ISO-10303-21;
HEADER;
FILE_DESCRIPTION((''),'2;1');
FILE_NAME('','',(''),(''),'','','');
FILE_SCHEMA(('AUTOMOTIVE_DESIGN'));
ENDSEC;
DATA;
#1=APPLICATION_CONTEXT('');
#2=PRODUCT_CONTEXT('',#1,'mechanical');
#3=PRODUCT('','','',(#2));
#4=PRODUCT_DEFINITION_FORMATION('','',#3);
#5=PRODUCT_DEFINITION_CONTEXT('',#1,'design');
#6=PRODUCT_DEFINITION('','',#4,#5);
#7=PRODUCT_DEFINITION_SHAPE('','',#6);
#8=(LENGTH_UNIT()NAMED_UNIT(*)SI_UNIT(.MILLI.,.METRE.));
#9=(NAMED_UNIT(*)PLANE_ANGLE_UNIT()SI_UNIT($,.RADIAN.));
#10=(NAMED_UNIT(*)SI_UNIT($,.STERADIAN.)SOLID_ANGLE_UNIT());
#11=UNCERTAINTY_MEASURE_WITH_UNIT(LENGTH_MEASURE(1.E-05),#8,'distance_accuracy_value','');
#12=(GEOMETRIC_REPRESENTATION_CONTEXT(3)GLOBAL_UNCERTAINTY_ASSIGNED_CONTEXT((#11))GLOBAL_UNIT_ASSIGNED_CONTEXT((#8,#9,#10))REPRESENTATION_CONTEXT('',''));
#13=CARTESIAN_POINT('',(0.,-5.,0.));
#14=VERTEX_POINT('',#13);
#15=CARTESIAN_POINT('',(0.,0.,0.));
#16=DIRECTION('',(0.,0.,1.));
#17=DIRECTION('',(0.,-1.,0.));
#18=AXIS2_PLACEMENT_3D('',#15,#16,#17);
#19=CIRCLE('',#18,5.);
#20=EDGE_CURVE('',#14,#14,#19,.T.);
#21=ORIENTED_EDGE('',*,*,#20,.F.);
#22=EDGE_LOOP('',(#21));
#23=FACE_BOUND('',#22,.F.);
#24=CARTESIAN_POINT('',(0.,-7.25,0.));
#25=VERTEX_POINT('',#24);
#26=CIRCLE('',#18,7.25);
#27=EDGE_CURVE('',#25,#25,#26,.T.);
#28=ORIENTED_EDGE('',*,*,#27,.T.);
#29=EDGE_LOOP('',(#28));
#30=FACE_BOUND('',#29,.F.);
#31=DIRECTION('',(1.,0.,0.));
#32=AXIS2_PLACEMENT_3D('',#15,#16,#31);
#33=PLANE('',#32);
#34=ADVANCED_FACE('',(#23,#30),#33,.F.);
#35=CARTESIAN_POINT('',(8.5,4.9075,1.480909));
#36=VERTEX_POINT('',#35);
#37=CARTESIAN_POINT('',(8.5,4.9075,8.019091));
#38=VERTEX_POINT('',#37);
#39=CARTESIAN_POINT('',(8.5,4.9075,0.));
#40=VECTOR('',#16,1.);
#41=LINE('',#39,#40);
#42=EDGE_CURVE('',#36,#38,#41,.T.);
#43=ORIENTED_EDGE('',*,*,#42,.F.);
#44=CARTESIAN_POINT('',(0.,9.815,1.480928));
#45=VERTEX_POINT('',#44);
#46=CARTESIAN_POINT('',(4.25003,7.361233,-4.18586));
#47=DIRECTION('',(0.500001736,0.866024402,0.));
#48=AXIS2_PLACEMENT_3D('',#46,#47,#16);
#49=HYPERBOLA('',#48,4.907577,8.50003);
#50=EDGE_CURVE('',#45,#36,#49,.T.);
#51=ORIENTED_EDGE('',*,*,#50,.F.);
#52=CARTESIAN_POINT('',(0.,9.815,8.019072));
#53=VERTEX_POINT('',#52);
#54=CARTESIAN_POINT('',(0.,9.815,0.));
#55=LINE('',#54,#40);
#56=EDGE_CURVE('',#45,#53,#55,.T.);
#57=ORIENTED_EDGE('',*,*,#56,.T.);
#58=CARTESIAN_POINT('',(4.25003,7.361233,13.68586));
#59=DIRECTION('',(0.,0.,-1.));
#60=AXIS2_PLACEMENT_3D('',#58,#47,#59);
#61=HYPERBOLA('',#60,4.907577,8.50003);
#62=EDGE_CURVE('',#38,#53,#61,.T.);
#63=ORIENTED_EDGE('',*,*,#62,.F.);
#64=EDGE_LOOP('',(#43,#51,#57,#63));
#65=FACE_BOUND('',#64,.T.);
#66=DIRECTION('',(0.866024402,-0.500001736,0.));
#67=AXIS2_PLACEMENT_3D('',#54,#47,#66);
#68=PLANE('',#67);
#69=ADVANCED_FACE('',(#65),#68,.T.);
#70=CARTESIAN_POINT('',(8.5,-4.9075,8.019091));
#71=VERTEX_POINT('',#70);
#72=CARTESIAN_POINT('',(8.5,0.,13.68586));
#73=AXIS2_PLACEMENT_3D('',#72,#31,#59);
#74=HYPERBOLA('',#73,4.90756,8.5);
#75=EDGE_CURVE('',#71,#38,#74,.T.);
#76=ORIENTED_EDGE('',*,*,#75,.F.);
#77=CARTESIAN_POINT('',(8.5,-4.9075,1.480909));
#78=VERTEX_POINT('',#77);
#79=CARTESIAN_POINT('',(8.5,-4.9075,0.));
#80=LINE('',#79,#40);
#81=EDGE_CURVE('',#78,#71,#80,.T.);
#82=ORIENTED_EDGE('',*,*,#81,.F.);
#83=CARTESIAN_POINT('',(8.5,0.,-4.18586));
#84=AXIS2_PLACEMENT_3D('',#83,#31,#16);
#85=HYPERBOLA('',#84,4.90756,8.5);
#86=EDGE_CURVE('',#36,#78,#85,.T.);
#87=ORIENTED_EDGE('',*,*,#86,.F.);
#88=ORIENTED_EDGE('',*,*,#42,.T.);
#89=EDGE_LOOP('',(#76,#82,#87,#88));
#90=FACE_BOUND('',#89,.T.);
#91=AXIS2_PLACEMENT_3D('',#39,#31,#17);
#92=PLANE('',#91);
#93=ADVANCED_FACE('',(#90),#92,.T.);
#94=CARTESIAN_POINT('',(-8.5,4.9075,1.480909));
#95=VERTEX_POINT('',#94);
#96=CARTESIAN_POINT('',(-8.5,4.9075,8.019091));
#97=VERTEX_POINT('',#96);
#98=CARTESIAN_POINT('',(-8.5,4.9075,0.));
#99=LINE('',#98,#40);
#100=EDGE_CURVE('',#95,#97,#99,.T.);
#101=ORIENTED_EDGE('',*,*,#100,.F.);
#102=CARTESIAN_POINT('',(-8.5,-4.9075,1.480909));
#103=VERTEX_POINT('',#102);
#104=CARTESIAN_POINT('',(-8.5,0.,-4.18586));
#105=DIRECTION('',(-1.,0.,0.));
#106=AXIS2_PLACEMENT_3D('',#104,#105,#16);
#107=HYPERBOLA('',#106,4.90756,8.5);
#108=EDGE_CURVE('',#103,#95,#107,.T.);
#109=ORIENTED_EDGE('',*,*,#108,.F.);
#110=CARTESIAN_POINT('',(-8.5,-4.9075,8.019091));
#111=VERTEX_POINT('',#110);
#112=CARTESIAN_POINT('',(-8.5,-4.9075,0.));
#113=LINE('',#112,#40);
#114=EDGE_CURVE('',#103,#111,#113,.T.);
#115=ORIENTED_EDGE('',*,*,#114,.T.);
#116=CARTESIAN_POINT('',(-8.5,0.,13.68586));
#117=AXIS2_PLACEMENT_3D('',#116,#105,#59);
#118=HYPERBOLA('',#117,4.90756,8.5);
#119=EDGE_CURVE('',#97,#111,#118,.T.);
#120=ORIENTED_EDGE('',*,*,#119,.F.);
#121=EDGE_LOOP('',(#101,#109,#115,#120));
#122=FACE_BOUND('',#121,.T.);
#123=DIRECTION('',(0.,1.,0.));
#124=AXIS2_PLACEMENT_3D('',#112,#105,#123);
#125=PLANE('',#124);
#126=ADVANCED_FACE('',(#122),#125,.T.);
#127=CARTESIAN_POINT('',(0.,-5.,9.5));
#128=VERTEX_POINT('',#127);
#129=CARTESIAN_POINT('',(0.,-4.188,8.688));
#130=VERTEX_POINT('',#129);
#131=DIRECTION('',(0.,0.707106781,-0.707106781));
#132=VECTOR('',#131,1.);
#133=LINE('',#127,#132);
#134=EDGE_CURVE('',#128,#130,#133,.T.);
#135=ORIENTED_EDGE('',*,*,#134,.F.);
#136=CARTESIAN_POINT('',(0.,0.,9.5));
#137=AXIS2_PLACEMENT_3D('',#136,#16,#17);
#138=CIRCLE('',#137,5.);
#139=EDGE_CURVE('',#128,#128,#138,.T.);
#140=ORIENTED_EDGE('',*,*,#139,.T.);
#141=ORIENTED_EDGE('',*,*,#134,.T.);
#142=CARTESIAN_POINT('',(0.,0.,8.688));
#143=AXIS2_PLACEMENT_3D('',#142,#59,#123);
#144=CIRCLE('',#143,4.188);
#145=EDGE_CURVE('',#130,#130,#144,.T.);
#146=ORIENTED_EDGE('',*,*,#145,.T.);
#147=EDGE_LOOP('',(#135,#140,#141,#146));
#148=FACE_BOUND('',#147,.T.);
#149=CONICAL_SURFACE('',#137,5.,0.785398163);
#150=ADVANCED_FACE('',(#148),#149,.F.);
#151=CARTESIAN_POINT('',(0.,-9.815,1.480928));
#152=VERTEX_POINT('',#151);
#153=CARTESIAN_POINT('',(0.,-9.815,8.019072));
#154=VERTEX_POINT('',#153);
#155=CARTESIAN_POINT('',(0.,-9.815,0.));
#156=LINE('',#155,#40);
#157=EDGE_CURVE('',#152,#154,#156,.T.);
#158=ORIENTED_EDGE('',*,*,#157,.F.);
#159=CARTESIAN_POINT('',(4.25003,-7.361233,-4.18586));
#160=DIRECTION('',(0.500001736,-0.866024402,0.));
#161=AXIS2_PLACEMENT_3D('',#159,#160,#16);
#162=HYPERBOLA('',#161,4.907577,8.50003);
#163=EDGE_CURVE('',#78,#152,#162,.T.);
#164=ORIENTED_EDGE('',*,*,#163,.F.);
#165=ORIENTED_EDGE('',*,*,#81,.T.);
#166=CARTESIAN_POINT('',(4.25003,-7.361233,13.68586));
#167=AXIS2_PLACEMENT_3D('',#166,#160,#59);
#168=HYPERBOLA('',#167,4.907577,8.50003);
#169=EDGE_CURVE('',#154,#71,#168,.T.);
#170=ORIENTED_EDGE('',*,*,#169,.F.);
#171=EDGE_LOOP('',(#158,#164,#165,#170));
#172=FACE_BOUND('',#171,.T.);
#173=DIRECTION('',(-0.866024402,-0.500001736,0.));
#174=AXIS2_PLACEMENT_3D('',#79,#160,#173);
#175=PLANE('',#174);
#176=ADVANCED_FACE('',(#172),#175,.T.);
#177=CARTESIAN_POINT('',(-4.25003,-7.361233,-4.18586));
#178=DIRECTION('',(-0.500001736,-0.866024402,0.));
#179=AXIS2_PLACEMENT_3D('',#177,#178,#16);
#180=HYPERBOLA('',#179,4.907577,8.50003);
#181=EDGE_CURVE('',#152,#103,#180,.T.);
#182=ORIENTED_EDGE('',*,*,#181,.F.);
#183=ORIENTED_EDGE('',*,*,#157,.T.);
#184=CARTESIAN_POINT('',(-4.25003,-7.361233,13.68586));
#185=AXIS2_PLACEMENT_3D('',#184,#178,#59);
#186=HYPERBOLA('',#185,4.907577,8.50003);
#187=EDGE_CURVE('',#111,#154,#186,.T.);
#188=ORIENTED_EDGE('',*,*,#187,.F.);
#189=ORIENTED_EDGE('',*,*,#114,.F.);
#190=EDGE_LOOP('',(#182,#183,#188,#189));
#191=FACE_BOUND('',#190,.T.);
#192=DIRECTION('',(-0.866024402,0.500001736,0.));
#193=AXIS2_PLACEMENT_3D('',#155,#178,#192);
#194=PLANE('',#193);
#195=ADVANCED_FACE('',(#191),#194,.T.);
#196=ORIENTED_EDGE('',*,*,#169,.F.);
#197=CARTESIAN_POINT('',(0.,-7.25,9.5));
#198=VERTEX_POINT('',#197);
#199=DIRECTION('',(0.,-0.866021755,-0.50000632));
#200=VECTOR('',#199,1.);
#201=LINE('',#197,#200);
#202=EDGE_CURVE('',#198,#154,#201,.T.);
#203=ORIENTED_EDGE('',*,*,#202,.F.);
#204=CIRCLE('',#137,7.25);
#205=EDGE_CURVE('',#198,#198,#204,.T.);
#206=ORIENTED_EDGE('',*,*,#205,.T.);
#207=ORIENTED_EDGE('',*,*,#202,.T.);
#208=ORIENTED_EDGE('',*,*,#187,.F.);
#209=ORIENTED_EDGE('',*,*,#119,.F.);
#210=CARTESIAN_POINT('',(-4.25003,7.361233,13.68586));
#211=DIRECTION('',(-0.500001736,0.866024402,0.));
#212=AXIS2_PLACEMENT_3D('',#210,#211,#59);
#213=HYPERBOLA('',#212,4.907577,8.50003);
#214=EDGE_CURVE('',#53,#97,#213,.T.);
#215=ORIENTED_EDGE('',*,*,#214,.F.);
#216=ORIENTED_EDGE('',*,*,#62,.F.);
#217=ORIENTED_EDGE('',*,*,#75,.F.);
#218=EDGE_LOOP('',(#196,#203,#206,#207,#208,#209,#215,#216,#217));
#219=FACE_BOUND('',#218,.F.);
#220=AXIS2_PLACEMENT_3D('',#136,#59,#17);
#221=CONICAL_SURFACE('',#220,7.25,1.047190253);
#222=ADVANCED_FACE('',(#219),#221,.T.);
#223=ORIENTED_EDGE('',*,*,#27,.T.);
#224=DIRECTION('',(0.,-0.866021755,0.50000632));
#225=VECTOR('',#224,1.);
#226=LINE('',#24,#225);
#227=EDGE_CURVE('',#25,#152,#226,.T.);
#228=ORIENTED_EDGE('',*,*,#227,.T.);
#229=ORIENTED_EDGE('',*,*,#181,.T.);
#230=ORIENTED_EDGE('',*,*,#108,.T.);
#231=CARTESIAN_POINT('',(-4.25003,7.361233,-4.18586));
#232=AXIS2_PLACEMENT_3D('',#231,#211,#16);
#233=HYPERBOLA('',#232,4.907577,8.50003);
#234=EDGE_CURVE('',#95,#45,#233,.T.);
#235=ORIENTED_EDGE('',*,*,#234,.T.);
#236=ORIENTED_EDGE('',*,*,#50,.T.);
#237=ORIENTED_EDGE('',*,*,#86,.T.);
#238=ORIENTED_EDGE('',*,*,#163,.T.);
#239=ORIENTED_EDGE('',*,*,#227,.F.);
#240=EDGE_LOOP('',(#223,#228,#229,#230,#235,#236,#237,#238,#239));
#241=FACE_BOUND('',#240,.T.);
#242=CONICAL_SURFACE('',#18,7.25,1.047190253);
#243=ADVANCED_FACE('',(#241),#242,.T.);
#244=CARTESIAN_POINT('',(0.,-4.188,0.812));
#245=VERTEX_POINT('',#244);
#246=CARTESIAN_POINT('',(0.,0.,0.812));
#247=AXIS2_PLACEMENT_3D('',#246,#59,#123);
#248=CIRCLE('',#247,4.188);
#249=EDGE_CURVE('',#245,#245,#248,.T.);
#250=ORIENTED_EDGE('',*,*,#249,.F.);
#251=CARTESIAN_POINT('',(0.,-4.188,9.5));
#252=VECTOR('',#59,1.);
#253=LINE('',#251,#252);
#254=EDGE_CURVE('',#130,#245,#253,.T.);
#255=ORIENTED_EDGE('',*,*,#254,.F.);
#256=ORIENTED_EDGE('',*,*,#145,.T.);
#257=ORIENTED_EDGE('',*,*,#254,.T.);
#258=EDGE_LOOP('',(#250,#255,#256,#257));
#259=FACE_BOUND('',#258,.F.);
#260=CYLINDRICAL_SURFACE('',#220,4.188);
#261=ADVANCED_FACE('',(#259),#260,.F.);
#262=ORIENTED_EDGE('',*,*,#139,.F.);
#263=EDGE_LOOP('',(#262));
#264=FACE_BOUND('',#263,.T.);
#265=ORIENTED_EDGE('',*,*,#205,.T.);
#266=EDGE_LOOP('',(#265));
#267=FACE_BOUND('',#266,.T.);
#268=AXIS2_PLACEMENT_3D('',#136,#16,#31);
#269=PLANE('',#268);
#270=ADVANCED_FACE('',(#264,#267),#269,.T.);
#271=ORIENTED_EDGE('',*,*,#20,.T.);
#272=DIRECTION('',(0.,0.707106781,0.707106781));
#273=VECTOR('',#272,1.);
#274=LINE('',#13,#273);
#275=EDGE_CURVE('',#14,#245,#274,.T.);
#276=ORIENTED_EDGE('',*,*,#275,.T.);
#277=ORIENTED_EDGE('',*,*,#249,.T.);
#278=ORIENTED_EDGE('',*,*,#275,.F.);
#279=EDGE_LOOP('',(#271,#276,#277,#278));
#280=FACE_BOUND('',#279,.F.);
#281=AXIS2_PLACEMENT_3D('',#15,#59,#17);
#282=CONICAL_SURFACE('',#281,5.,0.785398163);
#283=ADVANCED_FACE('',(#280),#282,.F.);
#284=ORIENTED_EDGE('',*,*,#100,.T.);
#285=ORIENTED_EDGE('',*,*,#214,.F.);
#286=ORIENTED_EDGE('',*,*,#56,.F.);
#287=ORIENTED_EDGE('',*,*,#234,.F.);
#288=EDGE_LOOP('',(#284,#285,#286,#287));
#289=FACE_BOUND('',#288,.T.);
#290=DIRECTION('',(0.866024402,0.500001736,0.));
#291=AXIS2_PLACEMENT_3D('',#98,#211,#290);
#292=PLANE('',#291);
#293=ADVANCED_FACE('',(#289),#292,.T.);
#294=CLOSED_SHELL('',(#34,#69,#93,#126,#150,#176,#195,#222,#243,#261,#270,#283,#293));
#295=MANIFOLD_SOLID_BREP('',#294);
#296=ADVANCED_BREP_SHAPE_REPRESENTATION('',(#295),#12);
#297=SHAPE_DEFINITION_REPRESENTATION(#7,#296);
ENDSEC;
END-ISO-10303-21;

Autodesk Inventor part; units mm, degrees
ref_plane "YZ Plane" through (0, 0, 0) normal (1, 0, 0) x (0, 1, 0)
sketch "Sketch1" plane through (0, 0, 0) normal (0, 0, 1) x (1, 0, 0)
  line L0 (-11.9, 0) -> (11.9, 0) construction
  line L1 (0, -13.7409) -> (0, 13.7409) construction
  line L2 (0, 9.815) -> (8.5, 4.9075)
  line L3 (8.5, 4.9075) -> (8.5, -4.9075)
  line L4 (8.5, -4.9075) -> (0, -9.815)
  line L5 (0, -9.815) -> (-8.5, -4.9075)
  line L6 (-8.5, -4.9075) -> (-8.5, 4.9075)
  line L7 (-8.5, 4.9075) -> (0, 9.815)
  point P0 (0, 0)
  point P1 (0, 0)
  dimension "d67" = 17
extrude "Выдавливание1" add sketch "Sketch1" along normal blind 9.5
ref_plane "Work Plane1" through (0, 0, 10.45) normal (0, 0, 1) x (1, 0, 0)
ref_plane "Work Plane2" through (0, 0, 4.75) normal (0, 0, 1) x (1, 0, 0)
sketch "Sketch2" plane through (0, 0, 9.5) normal (0, 0, 1) x (1, 0, 0)
  point P0 (0, 0)
hole "Отверстие1" at (0, 0, 9.5) direction (0, 0, -1) diameter 8.376 end through all thread size "M10x1.5" class "6H" standard "ISO Metric profile"
sketch "Sketch3" plane through (0, 0, 0) normal (1, 0, 0) x (0, 1, 0)
  line L0 (-4.9075, 9.5) -> (4.9075, 9.5) construction
  line L1 (4.9075, 9.5) -> (9.815, 9.5) construction
  line L2 (-9.815, 9.5) -> (-4.9075, 9.5) construction
  line L3 (-4.188, 0) -> (-4.188, 9.5) construction
  line L4 (4.9075, 0) -> (4.9075, 9.5) construction
  line L5 (0, -1.9) -> (0, 11.4) construction
  line L6 (-5, 9.5) -> (0, 4.5)
  line L7 (0, 4.5) -> (0, 9.5)
  line L8 (0, 9.5) -> (-5, 9.5)
  line L9 (5, 9.5) -> (0, 4.5)
  line L10 (0, 9.5) -> (5, 9.5)
  point P0 (0, 0)
  dimension "d57" = 45
  dimension "d58" = 10
revolve "Вращение1" cut sketch "Sketch3" angle 360 about axis through (0, 0, -10) along (0, 0, 1) contours L8 L7 L6
sketch "Sketch4" plane through (0, 0, 0) normal (1, 0, 0) x (0, 1, 0)
  line L0 (-7.25, 9.5) -> (-12.25, 6.6132)
  line L1 (-12.25, 6.6132) -> (-12.25, 9.5)
  line L2 (0, -1.9) -> (0, 11.4) construction
  line L3 (-7.25, 9.5) -> (-12.25, 9.5)
  line L4 (7.25, 9.5) -> (12.25, 6.6132)
  line L5 (12.25, 6.6132) -> (12.25, 9.5)
  line L6 (7.25, 9.5) -> (12.25, 9.5)
  point P0 (0, 0)
  dimension "d11" = 30
  dimension "d12" = 14.5
  dimension "d13" = 24.5
  dimension "d60" = 9.5
revolve "Вращение2" cut sketch "Sketch4" angle 360 about axis through (0, 0, -10) along (0, 0, 1) contours L0 L1 L3
mirror "Симметричное отображение1" about plane through (0, 0, 4.75) normal (0, 0, 1) of "Вращение2"
sketch "Sketch5" plane through (0, 0, 0) normal (1, 0, 0) x (0, 1, 0)
  line L0 (4.188, 0) -> (-4.188, 0) construction
  line L1 (0, -1.9) -> (0, 11.4) construction
  line L2 (-5, 0) -> (0, 5)
  line L3 (0, 0) -> (-5, 0)
  line L4 (-4.188, 0) -> (4.188, 0) construction
  line L5 (2.5, 0) -> (-2.5, 0) construction
  line L6 (5, 0) -> (0, 5)
  line L7 (0, 0) -> (5, 0)
  line L8 (0, 5) -> (0, 0)
  point P0 (-1.2295, 3.4)
  point P1 (1.2295, 3.4)
  point P2 (-4.188, 9.5)
  dimension "d54" = 45
  dimension "d55" = 10
revolve "Вращение3" cut sketch "Sketch5" angle 360 about axis through (0, 0, -10) along (0, 0, 1) contours L2 L8 L3
equation "\"d67\" = S_"
equation "\"d1\" = m_"
equation "\"d12\" = dw"
equation "\"d13\" = dw + da"
equation "\"d60\" = m_"
equation "\"d55\" = da"
equation "\"d58\" = da"
equation "\"S_\" = 17"
equation "\"e\" = 18.48"
equation "\"da\" = 10"
equation "\"dw\" = 14.5"
equation "\"m_\" = 9.5"
equation "\"d15\" = 0.1 * m_"
properties part number "ГайкаM10ГОСТ ISO 4034-2014" material "Сталь, мягкая"
